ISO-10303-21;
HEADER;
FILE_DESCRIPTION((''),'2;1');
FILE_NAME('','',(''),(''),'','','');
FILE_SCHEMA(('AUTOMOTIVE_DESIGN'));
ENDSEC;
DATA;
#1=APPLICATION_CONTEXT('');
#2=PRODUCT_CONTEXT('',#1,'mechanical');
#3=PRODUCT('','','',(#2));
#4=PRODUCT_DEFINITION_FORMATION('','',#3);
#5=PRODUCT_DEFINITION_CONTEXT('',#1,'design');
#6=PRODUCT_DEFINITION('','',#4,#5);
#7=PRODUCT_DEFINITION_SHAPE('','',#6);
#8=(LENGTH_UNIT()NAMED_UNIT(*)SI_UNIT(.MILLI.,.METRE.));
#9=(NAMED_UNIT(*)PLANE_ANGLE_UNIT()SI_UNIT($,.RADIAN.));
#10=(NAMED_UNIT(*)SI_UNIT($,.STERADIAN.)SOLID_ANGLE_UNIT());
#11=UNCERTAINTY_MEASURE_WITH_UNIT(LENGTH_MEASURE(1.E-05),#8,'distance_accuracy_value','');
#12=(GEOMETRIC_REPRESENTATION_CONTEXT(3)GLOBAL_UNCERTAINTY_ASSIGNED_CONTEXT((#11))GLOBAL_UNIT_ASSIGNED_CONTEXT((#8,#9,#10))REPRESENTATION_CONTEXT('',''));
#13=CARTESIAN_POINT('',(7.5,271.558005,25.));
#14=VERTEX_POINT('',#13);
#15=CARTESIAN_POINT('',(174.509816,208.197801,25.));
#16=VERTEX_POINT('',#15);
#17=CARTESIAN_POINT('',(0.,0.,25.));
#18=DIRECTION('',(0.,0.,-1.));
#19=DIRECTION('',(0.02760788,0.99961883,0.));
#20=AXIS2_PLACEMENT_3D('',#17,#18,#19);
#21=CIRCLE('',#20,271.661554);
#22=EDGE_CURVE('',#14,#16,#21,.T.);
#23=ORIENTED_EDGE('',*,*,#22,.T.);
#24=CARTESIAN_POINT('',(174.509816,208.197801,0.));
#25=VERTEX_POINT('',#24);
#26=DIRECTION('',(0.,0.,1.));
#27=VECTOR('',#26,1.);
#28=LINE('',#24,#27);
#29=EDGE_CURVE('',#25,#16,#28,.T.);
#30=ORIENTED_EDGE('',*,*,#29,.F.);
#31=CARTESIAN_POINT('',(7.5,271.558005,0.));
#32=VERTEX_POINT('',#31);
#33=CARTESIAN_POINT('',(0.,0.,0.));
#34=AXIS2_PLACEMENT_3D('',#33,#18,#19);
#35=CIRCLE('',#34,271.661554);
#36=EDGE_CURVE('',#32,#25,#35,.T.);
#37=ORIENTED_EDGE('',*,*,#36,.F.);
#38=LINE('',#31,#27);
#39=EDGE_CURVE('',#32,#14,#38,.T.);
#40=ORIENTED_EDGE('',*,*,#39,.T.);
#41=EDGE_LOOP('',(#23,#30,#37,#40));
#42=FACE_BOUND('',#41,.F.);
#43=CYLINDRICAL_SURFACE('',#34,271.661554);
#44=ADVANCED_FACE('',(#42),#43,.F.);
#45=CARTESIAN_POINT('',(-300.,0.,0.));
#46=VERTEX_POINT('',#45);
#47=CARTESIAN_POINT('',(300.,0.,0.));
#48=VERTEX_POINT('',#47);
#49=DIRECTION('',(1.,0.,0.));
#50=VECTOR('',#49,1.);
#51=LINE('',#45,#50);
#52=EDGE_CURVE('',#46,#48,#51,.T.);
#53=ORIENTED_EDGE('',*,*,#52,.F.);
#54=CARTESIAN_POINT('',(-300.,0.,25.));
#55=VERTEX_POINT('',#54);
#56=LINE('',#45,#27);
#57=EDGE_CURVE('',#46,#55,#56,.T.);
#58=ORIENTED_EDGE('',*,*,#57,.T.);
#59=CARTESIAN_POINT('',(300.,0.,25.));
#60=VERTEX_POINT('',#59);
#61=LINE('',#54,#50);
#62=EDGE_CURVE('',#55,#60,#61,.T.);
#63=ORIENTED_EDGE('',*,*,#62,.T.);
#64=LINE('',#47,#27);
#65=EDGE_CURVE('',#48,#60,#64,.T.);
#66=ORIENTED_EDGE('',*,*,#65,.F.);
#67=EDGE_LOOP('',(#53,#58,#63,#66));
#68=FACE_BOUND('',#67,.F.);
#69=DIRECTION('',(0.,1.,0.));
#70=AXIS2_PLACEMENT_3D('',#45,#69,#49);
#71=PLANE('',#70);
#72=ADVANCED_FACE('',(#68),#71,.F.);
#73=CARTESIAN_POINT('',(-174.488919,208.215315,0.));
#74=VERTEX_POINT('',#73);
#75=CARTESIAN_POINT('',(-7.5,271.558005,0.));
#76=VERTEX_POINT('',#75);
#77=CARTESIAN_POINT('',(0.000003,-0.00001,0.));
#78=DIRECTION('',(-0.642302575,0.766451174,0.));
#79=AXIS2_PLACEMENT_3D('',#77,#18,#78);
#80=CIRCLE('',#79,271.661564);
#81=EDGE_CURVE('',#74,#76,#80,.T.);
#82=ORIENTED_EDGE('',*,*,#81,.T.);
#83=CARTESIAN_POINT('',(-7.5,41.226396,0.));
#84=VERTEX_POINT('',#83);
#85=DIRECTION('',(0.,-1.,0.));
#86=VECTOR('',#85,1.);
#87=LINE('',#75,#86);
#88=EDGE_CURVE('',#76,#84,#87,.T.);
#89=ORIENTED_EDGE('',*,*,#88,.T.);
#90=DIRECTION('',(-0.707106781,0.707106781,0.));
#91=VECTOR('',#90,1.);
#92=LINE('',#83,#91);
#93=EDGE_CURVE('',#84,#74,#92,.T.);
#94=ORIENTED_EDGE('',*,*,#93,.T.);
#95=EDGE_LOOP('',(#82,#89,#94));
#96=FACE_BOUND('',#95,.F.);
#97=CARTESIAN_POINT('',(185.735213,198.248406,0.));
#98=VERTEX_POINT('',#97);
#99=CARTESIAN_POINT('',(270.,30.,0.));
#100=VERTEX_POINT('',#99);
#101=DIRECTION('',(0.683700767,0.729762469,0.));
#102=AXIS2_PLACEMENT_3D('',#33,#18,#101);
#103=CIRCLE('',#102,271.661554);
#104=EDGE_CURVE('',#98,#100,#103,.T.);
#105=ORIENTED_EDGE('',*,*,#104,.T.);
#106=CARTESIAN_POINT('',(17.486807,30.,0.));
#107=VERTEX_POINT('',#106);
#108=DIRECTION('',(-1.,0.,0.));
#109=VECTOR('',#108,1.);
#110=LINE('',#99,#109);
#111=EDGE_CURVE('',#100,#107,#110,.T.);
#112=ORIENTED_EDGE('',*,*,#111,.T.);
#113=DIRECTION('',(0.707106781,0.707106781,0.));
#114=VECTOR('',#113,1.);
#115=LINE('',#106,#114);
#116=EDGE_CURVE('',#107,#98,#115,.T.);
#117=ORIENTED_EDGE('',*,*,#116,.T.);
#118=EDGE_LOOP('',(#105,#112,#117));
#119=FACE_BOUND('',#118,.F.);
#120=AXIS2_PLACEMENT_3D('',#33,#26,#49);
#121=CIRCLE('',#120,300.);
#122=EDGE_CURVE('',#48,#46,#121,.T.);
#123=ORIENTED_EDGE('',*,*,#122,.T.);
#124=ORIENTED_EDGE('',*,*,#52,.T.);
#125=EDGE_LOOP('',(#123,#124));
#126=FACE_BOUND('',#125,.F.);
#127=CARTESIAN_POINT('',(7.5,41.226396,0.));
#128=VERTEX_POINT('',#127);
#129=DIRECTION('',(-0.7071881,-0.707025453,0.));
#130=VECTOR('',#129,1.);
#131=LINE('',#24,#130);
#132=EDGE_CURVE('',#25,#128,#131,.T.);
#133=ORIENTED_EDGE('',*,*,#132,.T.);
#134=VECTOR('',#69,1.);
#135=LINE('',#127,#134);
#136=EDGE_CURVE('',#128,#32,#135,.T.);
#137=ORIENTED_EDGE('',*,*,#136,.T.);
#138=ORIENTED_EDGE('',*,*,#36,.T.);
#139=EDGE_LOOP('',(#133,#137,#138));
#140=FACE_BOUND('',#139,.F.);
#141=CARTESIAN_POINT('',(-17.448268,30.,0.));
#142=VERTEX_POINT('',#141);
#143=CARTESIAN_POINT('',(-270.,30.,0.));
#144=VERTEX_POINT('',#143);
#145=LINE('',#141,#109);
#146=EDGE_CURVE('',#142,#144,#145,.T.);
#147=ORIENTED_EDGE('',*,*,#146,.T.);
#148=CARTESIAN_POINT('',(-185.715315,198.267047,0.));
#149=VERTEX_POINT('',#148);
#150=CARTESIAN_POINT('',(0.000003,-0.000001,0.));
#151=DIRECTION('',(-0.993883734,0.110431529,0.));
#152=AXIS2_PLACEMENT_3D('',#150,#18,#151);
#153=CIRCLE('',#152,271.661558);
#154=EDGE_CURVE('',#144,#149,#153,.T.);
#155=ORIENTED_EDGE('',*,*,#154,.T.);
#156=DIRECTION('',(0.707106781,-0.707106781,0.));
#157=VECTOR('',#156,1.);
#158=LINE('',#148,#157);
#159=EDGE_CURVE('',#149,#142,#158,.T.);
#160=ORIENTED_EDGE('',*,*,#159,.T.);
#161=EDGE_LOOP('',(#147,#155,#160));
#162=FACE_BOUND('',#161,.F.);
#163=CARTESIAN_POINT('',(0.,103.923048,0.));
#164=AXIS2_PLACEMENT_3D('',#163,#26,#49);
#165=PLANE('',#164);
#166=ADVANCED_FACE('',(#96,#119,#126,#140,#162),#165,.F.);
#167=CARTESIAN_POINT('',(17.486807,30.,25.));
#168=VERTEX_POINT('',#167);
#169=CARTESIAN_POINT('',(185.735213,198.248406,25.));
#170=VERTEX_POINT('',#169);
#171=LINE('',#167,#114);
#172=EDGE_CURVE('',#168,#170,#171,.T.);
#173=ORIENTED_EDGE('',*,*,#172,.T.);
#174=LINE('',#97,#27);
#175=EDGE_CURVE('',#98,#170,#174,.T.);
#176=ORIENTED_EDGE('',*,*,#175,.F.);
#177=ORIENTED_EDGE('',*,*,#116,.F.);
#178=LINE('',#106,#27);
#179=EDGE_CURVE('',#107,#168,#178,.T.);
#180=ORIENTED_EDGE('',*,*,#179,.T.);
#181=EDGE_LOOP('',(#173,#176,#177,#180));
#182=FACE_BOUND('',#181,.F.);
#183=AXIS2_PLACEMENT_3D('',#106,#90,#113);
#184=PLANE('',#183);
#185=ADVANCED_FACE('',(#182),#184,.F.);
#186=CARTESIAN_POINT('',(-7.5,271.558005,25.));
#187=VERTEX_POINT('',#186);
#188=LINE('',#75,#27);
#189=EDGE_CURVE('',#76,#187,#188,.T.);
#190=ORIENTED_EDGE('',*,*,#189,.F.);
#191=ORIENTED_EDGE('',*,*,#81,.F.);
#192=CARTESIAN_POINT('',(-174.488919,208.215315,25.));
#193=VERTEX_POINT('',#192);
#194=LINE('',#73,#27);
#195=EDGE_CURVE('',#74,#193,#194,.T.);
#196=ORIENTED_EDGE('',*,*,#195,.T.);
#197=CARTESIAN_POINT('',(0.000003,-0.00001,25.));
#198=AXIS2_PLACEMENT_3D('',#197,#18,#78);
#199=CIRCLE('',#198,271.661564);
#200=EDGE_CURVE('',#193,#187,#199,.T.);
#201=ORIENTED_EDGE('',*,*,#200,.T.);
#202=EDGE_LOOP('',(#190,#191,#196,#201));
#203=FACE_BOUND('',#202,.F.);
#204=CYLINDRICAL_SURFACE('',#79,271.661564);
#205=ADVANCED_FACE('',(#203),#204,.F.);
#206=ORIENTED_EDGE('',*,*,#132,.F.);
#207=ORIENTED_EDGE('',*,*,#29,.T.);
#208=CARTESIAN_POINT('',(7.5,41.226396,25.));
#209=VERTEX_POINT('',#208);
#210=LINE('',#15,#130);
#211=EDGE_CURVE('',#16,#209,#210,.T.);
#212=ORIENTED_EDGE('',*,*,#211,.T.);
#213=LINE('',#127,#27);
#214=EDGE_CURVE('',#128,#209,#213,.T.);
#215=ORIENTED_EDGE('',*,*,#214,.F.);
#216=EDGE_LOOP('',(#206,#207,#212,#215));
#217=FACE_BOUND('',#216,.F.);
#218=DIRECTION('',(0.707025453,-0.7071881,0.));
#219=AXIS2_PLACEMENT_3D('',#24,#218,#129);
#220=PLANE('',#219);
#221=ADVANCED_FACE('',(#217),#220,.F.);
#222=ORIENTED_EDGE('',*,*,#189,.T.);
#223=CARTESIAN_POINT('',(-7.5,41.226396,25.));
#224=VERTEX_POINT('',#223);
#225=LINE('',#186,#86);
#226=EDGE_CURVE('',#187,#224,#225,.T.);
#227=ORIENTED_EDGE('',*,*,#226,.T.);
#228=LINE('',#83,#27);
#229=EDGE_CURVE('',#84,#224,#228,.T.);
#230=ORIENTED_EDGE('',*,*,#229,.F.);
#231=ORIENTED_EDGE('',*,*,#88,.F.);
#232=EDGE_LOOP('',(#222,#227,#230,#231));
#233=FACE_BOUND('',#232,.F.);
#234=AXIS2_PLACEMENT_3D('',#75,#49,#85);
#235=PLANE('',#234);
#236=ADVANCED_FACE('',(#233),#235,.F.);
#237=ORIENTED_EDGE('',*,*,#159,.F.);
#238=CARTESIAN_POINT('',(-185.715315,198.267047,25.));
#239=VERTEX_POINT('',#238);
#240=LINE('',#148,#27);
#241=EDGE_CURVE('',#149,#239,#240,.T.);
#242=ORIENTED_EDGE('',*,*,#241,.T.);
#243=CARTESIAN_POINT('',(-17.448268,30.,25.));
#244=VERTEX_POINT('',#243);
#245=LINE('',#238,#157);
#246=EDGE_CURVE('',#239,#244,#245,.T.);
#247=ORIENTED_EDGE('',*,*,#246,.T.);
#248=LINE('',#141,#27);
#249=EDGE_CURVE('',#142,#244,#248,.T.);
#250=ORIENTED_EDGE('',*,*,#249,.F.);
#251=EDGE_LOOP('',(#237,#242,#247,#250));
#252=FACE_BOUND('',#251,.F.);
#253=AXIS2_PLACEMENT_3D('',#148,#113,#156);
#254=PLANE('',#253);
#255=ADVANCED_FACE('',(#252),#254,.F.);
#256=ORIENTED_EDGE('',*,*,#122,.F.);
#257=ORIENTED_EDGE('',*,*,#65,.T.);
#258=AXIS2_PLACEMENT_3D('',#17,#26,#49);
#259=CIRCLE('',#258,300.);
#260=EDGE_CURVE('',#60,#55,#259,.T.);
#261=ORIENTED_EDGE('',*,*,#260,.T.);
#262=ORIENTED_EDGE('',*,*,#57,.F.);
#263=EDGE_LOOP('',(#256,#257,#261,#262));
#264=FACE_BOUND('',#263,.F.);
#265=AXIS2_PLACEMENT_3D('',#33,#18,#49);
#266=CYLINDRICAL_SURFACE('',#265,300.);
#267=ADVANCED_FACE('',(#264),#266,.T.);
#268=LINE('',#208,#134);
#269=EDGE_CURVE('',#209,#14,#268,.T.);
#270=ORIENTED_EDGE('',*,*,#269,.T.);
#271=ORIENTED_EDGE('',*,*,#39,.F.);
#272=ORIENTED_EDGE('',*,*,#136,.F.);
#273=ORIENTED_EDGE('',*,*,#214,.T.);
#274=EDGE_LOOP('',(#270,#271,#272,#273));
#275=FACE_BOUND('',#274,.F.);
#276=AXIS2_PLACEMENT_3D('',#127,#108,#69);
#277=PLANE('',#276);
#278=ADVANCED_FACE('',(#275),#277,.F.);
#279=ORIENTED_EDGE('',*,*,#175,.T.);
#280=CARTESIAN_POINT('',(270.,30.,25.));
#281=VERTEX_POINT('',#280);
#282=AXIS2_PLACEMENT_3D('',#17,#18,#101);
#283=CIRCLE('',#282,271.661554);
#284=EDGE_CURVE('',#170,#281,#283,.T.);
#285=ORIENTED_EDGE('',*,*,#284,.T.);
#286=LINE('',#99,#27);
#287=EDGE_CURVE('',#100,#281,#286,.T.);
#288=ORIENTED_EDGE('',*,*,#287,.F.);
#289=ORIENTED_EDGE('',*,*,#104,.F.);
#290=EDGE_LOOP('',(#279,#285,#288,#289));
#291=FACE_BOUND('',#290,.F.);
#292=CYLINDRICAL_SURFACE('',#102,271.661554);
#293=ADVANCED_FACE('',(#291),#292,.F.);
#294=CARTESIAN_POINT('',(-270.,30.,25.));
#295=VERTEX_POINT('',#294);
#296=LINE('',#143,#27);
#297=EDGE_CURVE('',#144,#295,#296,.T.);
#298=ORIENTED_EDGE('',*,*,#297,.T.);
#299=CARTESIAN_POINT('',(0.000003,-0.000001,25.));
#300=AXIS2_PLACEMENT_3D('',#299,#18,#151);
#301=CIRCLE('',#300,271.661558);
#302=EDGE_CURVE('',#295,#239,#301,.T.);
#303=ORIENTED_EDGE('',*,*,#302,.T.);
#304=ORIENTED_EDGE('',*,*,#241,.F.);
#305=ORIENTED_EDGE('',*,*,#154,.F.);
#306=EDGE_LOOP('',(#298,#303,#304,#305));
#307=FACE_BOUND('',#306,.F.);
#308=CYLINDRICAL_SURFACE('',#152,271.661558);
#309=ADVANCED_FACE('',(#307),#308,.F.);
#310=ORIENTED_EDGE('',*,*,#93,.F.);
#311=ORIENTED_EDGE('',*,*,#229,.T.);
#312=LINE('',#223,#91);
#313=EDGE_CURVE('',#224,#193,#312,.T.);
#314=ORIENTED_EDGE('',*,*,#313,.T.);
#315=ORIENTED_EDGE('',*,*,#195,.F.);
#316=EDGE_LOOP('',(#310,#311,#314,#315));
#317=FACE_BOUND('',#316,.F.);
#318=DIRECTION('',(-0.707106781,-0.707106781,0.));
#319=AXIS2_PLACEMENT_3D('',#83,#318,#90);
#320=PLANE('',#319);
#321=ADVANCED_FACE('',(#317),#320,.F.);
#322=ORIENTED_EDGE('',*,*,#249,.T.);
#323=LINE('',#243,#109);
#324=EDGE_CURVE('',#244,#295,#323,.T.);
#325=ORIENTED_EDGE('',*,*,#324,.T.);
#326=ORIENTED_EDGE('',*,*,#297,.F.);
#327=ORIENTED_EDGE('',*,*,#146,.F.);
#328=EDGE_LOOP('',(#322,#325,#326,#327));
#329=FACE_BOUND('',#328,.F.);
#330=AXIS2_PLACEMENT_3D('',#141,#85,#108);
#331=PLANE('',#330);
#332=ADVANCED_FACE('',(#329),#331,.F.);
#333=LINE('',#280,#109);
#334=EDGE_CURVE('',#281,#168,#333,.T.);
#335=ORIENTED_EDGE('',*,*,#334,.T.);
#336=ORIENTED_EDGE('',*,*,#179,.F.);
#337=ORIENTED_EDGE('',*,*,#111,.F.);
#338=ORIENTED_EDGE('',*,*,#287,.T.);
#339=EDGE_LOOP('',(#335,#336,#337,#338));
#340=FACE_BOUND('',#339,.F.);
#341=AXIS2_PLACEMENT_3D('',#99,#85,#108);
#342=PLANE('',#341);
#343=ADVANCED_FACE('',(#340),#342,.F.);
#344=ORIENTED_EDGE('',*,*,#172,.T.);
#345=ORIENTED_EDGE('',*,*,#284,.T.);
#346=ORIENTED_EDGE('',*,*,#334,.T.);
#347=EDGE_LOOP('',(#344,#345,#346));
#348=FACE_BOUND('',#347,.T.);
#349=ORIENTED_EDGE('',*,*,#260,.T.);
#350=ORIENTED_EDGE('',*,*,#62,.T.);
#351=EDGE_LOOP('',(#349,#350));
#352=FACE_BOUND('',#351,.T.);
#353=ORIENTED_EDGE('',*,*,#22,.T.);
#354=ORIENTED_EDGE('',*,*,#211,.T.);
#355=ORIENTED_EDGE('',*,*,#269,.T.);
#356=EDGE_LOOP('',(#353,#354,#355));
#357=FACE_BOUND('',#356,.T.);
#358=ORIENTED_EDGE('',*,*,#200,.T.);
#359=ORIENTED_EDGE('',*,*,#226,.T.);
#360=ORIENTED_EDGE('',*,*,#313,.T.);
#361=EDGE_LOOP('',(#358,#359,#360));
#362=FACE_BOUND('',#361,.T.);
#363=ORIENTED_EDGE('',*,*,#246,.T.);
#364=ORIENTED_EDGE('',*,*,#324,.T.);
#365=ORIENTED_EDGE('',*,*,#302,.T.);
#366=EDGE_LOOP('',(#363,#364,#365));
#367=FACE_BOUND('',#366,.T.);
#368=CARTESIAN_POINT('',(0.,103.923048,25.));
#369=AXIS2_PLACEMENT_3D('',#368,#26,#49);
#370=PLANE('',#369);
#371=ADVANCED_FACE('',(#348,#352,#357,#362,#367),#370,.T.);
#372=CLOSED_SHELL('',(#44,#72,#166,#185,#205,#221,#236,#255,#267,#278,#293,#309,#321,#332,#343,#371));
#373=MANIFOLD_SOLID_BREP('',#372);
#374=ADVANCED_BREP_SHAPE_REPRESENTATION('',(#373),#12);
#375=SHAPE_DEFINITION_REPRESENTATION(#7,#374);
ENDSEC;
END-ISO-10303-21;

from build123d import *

# Parameters (mm, degrees)
F1_DEPTH = 25


with BuildPart() as f1:
    # F0 (on Top) → F1 (new body)
    with BuildSketch(Plane.XY):
        with BuildLine():
            Line((-300, 0), (300, 0))
            ThreePointArc((300, 0), (0, 300), (-300, 0))
        make_face()
        with BuildLine():
            Line((-185.715315, 198.267047), (-17.448268, 30))
            Line((-17.448268, 30), (-270, 30))
            ThreePointArc((-270, 30), (-242.894137, 121.665271), (-185.715315, 198.267047))
        make_face(mode=Mode.SUBTRACT)
        with BuildLine():
            ThreePointArc((185.735213, 198.248406), (242.900242, 121.653082), (270, 30))
            Line((270, 30), (17.486807, 30))
            Line((17.486807, 30), (185.735213, 198.248406))
        make_face(mode=Mode.SUBTRACT)
        with BuildLine():
            ThreePointArc((-174.488919, 208.215315), (-96.348667, 254.001839), (-7.5, 271.558005))
            Line((-7.5, 271.558005), (-7.5, 41.226396))
            Line((-7.5, 41.226396), (-174.488919, 208.215315))
        make_face(mode=Mode.SUBTRACT)
        with BuildLine():
            Line((7.5, 41.226396), (7.5, 271.558005))
            ThreePointArc((7.5, 271.558005), (96.361414, 253.997004), (174.509816, 208.197801))
            Line((174.509816, 208.197801), (7.5, 41.226396))
        make_face(mode=Mode.SUBTRACT)
    extrude(amount=F1_DEPTH)


solid = f1.part
